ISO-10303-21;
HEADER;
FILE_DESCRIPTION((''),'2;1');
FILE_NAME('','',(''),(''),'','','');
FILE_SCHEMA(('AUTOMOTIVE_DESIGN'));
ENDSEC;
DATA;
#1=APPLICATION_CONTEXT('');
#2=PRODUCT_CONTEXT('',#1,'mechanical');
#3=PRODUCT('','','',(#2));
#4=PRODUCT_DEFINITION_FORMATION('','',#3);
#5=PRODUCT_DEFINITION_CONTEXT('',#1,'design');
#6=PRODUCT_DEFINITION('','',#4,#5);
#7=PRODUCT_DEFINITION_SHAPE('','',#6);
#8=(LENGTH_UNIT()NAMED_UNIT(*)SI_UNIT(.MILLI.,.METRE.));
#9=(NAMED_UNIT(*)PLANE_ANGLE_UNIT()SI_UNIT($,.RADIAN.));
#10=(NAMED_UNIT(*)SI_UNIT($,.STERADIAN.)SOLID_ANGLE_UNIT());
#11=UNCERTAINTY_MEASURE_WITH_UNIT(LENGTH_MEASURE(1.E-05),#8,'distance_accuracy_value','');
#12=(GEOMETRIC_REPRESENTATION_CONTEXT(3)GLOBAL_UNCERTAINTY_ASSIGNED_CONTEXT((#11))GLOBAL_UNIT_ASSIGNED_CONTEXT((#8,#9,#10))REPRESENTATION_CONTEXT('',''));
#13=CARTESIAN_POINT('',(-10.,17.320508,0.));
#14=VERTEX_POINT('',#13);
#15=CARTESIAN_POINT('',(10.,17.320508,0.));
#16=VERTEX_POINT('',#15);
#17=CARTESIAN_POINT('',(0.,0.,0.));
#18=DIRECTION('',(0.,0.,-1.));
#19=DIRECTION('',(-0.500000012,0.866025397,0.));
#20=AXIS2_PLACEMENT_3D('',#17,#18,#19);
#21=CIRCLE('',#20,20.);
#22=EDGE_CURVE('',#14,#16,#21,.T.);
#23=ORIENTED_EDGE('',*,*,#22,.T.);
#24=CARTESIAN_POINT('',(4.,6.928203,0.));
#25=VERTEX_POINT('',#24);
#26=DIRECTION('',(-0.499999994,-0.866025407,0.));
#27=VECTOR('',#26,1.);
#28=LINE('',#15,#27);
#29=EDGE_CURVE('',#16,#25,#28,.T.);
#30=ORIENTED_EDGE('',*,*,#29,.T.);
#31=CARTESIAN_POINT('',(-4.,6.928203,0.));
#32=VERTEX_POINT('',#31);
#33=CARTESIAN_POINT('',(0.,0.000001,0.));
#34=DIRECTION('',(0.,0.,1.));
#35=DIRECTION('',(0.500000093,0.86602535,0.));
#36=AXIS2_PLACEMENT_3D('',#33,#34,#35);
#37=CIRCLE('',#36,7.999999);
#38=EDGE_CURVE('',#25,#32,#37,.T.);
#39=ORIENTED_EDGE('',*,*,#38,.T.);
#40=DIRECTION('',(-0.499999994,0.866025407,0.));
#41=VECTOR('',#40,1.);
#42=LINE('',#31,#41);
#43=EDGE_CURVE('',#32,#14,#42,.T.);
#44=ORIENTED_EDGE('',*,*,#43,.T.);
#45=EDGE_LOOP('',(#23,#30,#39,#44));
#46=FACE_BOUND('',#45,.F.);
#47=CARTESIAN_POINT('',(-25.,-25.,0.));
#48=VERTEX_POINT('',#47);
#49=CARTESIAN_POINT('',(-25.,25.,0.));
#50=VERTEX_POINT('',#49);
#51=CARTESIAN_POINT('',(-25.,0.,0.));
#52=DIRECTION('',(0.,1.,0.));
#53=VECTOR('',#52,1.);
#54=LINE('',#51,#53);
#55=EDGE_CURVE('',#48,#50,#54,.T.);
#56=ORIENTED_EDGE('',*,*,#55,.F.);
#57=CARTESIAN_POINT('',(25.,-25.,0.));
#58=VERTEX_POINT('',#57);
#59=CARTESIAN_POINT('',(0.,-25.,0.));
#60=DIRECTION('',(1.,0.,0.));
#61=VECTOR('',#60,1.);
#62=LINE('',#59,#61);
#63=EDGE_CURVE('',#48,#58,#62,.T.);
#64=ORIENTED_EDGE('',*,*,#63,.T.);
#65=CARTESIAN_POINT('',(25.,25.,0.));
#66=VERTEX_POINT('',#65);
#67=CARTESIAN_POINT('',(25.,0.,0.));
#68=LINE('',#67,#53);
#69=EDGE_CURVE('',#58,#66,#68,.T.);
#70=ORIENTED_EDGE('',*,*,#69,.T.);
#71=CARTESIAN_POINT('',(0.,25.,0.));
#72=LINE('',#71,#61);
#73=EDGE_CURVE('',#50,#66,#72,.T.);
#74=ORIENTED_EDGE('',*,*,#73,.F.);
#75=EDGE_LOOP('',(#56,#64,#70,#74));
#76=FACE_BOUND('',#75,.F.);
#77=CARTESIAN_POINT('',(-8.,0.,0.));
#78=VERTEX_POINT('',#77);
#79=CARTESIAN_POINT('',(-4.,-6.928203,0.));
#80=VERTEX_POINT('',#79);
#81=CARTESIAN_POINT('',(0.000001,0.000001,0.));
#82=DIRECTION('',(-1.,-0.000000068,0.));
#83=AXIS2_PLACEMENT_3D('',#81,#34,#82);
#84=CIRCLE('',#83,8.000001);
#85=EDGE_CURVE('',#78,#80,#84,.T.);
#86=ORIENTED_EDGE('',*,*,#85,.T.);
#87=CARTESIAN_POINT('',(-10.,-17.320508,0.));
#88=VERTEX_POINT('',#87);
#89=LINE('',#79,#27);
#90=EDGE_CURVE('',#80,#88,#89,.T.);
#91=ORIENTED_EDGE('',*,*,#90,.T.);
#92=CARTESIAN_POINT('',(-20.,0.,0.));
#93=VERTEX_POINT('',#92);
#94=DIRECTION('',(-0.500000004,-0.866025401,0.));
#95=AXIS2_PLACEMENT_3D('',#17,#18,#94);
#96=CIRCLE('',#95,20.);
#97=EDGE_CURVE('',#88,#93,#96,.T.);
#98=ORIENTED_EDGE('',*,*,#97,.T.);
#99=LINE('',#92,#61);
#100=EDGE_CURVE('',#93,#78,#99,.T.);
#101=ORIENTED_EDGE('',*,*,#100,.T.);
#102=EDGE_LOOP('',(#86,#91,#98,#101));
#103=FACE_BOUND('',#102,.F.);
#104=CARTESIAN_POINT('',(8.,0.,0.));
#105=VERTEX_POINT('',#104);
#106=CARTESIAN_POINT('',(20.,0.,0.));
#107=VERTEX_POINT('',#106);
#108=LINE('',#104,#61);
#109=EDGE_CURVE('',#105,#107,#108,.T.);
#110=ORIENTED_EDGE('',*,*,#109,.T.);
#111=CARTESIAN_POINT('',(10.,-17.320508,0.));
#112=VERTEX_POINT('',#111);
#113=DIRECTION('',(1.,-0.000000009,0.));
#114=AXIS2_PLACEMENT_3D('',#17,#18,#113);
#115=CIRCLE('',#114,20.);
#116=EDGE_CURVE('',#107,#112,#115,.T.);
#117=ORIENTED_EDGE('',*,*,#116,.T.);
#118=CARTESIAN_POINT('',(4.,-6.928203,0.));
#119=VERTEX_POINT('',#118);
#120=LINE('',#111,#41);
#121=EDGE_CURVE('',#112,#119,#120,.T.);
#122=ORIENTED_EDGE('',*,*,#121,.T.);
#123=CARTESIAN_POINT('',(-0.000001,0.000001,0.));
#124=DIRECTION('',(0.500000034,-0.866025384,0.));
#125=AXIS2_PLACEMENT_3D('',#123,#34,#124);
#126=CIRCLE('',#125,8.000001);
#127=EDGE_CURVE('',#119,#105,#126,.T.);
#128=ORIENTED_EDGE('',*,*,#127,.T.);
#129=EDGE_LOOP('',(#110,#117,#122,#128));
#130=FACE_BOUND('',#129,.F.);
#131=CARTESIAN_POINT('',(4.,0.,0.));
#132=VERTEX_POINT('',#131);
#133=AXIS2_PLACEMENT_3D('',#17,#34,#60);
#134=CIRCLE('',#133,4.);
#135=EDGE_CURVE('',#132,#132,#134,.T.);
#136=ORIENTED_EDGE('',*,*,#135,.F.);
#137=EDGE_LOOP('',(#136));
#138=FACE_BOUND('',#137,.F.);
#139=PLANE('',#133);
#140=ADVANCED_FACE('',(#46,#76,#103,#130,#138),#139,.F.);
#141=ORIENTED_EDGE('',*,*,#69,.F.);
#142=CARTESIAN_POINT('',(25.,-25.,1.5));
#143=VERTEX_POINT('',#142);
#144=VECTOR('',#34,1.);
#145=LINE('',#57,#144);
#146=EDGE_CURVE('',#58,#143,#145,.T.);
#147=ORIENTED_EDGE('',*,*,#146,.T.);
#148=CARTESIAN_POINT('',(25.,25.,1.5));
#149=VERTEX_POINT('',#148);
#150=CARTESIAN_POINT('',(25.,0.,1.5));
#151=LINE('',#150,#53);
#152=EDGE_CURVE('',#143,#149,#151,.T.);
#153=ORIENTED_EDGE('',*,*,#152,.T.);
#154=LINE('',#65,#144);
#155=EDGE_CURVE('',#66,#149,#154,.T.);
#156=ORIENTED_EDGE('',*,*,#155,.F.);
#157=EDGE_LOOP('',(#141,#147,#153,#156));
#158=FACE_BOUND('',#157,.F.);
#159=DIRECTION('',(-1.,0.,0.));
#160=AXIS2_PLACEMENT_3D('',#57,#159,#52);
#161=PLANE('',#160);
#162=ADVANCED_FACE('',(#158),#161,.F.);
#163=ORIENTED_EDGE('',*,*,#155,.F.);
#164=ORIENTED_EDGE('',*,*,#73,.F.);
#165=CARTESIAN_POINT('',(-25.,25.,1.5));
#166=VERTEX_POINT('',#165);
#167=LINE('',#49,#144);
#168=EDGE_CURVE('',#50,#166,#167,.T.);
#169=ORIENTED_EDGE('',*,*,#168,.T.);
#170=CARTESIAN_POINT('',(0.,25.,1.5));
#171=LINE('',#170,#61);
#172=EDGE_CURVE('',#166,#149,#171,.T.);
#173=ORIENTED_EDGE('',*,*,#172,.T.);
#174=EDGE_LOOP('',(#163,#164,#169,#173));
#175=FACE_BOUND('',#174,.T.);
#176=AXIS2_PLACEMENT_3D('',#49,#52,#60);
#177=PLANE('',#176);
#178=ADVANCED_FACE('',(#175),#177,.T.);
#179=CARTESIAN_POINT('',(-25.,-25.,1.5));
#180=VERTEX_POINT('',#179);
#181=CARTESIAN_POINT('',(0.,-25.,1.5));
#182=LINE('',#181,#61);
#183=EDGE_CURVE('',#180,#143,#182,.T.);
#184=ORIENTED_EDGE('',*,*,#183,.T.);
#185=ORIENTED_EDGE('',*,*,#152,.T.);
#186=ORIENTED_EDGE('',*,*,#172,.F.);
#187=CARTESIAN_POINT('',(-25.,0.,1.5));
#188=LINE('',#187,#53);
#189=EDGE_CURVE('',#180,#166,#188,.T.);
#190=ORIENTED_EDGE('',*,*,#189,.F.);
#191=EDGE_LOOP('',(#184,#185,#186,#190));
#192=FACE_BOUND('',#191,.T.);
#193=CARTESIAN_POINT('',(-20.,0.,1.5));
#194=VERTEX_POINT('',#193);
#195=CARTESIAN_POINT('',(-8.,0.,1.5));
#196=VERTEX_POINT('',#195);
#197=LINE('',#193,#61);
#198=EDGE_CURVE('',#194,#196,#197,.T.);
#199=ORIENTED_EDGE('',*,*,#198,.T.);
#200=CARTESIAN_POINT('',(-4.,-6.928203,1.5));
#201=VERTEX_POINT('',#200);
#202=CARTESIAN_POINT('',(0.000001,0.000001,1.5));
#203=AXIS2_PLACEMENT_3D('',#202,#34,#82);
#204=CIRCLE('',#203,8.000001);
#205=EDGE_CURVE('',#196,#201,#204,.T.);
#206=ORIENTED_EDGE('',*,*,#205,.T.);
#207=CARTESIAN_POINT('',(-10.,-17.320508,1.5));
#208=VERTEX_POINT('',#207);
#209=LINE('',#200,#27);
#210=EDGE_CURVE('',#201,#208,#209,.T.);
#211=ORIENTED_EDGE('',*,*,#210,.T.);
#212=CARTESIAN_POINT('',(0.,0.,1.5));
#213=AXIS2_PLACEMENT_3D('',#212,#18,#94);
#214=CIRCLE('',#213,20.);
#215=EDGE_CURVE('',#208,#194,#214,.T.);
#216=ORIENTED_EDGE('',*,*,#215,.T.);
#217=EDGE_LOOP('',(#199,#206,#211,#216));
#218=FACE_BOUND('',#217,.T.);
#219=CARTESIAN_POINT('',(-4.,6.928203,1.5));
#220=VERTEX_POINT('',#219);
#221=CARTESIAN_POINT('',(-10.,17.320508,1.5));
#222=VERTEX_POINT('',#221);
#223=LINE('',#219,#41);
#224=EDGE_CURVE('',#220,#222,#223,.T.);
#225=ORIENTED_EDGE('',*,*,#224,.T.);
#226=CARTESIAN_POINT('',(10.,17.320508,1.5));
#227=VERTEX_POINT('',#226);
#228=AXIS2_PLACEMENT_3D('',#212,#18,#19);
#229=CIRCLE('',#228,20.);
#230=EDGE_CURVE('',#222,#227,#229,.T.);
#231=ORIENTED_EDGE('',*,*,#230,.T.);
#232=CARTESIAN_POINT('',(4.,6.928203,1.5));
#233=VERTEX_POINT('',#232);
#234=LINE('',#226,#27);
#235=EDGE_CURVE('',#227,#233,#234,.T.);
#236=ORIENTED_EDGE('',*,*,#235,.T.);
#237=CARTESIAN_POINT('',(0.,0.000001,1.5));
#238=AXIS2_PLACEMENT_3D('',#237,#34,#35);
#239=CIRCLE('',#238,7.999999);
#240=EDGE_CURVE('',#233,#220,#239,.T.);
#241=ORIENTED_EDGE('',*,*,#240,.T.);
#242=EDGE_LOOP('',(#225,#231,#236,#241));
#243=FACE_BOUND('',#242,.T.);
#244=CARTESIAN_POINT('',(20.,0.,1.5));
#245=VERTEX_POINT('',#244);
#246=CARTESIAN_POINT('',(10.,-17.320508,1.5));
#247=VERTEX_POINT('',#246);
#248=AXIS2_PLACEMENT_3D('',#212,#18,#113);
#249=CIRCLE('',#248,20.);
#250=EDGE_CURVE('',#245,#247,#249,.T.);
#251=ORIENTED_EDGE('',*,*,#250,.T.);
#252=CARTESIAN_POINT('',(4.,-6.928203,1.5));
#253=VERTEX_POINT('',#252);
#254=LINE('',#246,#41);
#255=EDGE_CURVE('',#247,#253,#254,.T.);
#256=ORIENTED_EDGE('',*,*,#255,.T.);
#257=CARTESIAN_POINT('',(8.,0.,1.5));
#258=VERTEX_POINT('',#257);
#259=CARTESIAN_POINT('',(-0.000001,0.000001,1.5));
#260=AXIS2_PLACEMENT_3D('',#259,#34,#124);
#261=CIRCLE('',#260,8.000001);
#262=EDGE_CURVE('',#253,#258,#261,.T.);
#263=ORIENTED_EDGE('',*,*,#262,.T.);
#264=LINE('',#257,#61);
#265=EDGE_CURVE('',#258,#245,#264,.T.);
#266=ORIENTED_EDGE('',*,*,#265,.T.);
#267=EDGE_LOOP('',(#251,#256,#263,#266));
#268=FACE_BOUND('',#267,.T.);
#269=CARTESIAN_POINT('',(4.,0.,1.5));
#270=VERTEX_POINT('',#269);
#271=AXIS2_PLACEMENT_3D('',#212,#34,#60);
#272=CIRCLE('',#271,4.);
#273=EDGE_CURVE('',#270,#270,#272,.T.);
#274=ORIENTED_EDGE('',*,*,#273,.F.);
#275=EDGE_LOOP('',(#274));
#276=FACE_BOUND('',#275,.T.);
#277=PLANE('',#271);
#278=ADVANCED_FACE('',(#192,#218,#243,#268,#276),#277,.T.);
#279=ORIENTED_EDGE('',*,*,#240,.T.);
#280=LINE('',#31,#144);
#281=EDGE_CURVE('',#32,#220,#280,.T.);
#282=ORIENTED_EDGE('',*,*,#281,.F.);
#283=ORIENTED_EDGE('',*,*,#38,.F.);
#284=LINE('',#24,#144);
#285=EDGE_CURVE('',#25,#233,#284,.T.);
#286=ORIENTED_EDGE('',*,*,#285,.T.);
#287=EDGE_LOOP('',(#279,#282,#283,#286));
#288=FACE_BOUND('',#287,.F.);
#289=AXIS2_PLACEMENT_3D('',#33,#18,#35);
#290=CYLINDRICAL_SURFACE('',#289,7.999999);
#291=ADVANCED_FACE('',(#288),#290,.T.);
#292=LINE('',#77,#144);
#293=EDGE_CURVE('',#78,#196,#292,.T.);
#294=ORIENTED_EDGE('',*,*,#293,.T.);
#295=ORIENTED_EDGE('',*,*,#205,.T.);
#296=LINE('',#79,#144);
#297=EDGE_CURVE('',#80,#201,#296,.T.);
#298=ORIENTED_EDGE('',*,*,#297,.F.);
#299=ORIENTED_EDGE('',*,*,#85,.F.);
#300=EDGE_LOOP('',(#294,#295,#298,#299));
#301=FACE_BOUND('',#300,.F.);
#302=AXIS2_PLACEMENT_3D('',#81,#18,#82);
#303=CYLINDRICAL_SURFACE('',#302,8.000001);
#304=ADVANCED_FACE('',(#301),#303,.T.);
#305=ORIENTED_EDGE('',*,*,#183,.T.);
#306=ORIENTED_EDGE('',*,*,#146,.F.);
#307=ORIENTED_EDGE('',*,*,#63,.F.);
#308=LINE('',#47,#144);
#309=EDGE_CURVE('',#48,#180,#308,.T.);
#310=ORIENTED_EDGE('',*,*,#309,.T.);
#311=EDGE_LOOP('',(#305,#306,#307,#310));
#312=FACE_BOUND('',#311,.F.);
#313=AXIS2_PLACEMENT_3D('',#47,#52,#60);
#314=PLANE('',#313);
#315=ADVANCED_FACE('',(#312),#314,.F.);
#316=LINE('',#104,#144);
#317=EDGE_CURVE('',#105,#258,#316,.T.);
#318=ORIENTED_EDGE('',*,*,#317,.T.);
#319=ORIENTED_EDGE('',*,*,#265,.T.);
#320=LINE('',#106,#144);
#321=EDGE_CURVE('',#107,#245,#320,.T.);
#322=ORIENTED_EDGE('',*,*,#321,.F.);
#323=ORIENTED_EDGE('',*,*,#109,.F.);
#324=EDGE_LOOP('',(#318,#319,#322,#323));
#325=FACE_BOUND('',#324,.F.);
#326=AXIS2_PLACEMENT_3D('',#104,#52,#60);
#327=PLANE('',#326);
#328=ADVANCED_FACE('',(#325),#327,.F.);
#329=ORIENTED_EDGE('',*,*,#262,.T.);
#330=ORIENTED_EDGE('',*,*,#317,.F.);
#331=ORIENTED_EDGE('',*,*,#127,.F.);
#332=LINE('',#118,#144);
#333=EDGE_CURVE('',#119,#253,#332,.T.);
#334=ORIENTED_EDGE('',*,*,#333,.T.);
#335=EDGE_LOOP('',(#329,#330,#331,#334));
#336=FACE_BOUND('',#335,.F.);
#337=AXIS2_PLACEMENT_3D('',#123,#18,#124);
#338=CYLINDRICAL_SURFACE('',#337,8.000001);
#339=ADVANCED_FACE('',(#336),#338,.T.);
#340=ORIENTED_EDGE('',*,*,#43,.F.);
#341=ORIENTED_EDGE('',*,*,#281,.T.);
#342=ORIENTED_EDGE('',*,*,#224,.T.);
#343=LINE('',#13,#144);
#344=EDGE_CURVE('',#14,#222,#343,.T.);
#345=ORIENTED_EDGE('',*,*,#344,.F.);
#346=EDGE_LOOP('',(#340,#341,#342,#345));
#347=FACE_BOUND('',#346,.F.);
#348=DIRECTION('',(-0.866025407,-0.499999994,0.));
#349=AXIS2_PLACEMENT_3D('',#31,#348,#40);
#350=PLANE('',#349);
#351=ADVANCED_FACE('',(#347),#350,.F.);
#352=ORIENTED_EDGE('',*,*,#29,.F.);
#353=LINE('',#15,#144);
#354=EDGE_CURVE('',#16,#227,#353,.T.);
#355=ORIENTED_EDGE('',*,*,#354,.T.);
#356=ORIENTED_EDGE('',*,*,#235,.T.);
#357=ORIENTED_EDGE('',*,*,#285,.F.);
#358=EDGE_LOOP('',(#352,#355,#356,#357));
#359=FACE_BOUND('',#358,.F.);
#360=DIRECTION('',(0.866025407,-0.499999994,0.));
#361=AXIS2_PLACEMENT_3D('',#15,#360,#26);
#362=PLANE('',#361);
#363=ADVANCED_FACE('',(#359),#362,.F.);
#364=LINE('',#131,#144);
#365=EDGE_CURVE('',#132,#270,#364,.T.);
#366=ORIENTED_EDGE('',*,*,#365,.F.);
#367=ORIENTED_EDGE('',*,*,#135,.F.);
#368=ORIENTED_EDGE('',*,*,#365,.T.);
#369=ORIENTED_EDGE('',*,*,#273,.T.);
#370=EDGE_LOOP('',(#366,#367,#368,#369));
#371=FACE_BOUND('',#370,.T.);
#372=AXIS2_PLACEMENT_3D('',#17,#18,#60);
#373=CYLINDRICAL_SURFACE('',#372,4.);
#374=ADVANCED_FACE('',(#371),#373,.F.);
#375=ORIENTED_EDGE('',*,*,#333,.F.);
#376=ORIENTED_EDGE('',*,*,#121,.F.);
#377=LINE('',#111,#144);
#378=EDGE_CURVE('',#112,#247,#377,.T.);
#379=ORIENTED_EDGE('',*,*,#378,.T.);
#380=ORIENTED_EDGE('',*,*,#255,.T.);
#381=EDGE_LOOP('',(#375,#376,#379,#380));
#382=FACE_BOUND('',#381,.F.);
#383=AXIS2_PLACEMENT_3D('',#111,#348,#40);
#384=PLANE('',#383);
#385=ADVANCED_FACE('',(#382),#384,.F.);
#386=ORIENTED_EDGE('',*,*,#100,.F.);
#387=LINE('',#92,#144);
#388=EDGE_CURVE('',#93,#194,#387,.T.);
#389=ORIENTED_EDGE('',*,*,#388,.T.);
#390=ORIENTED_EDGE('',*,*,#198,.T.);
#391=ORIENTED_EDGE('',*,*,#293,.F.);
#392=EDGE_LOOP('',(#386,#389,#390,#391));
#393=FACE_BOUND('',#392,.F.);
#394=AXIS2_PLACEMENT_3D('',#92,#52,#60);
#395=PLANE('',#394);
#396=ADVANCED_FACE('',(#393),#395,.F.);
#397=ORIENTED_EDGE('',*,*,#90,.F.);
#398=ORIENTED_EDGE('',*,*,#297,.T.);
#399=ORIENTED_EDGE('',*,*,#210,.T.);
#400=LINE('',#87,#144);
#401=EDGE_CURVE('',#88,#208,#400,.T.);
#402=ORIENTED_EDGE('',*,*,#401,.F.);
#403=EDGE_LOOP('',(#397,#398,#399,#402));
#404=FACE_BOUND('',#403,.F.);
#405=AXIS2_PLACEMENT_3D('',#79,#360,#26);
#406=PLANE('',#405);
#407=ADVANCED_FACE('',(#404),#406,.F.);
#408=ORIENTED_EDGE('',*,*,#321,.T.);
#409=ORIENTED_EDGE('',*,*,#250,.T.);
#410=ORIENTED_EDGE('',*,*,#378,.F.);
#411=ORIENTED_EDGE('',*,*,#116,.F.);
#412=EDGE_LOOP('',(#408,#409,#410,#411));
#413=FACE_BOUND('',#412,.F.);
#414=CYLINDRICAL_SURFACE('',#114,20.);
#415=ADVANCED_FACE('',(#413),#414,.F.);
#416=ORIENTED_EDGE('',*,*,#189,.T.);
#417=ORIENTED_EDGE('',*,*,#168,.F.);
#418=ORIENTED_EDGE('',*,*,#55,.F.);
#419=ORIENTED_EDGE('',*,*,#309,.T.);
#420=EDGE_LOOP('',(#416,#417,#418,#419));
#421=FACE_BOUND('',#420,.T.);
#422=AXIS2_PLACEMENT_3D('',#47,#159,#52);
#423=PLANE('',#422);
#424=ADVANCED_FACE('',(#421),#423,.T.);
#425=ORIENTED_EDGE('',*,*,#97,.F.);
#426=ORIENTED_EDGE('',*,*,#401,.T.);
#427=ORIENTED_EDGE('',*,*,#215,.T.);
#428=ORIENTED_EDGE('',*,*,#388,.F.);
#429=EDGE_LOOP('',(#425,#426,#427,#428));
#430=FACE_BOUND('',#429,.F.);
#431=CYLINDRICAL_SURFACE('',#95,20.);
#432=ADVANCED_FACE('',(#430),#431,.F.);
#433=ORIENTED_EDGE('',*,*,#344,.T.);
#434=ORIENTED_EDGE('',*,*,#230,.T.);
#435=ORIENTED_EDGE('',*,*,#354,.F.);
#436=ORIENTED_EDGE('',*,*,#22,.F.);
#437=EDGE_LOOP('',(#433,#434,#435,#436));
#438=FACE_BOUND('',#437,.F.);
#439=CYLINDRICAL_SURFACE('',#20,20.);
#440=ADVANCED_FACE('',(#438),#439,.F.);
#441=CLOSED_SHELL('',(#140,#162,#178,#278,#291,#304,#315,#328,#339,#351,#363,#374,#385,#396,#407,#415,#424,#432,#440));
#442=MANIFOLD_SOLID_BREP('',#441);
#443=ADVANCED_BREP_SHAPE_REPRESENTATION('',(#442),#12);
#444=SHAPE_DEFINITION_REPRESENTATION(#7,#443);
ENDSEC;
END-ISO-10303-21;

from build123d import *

# Parameters (mm, degrees)
F0_W     = 50
F0_H     = 50
F0_R     = 4
F1_DEPTH = 1.5


with BuildPart() as f1:
    # F0 (on Top) → F1 (new body)
    with BuildSketch(Plane.XY):
        Rectangle(F0_W, F0_H)
        with BuildLine():
            ThreePointArc((-10, -17.320508), (-17.320508, -10), (-20, 0))
            Line((-20, 0), (-8, 0))
            ThreePointArc((-8, 0), (-6.928203, -4), (-4, -6.928203))
            Line((-4, -6.928203), (-10, -17.320508))
        make_face(mode=Mode.SUBTRACT)
        with BuildLine():
            ThreePointArc((20, 0), (17.320508, -10), (10, -17.320508))
            Line((10, -17.320508), (4, -6.928203))
            ThreePointArc((4, -6.928203), (6.928203, -4), (8, 0))
            Line((8, 0), (20, 0))
        make_face(mode=Mode.SUBTRACT)
        Circle(F0_R, mode=Mode.SUBTRACT)
        with BuildLine():
            ThreePointArc((-10, 17.320508), (0, 20), (10, 17.320508))
            Line((10, 17.320508), (4, 6.928203))
            ThreePointArc((4, 6.928203), (0, 8), (-4, 6.928203))
            Line((-4, 6.928203), (-10, 17.320508))
        make_face(mode=Mode.SUBTRACT)
    extrude(amount=F1_DEPTH)


solid = f1.part
